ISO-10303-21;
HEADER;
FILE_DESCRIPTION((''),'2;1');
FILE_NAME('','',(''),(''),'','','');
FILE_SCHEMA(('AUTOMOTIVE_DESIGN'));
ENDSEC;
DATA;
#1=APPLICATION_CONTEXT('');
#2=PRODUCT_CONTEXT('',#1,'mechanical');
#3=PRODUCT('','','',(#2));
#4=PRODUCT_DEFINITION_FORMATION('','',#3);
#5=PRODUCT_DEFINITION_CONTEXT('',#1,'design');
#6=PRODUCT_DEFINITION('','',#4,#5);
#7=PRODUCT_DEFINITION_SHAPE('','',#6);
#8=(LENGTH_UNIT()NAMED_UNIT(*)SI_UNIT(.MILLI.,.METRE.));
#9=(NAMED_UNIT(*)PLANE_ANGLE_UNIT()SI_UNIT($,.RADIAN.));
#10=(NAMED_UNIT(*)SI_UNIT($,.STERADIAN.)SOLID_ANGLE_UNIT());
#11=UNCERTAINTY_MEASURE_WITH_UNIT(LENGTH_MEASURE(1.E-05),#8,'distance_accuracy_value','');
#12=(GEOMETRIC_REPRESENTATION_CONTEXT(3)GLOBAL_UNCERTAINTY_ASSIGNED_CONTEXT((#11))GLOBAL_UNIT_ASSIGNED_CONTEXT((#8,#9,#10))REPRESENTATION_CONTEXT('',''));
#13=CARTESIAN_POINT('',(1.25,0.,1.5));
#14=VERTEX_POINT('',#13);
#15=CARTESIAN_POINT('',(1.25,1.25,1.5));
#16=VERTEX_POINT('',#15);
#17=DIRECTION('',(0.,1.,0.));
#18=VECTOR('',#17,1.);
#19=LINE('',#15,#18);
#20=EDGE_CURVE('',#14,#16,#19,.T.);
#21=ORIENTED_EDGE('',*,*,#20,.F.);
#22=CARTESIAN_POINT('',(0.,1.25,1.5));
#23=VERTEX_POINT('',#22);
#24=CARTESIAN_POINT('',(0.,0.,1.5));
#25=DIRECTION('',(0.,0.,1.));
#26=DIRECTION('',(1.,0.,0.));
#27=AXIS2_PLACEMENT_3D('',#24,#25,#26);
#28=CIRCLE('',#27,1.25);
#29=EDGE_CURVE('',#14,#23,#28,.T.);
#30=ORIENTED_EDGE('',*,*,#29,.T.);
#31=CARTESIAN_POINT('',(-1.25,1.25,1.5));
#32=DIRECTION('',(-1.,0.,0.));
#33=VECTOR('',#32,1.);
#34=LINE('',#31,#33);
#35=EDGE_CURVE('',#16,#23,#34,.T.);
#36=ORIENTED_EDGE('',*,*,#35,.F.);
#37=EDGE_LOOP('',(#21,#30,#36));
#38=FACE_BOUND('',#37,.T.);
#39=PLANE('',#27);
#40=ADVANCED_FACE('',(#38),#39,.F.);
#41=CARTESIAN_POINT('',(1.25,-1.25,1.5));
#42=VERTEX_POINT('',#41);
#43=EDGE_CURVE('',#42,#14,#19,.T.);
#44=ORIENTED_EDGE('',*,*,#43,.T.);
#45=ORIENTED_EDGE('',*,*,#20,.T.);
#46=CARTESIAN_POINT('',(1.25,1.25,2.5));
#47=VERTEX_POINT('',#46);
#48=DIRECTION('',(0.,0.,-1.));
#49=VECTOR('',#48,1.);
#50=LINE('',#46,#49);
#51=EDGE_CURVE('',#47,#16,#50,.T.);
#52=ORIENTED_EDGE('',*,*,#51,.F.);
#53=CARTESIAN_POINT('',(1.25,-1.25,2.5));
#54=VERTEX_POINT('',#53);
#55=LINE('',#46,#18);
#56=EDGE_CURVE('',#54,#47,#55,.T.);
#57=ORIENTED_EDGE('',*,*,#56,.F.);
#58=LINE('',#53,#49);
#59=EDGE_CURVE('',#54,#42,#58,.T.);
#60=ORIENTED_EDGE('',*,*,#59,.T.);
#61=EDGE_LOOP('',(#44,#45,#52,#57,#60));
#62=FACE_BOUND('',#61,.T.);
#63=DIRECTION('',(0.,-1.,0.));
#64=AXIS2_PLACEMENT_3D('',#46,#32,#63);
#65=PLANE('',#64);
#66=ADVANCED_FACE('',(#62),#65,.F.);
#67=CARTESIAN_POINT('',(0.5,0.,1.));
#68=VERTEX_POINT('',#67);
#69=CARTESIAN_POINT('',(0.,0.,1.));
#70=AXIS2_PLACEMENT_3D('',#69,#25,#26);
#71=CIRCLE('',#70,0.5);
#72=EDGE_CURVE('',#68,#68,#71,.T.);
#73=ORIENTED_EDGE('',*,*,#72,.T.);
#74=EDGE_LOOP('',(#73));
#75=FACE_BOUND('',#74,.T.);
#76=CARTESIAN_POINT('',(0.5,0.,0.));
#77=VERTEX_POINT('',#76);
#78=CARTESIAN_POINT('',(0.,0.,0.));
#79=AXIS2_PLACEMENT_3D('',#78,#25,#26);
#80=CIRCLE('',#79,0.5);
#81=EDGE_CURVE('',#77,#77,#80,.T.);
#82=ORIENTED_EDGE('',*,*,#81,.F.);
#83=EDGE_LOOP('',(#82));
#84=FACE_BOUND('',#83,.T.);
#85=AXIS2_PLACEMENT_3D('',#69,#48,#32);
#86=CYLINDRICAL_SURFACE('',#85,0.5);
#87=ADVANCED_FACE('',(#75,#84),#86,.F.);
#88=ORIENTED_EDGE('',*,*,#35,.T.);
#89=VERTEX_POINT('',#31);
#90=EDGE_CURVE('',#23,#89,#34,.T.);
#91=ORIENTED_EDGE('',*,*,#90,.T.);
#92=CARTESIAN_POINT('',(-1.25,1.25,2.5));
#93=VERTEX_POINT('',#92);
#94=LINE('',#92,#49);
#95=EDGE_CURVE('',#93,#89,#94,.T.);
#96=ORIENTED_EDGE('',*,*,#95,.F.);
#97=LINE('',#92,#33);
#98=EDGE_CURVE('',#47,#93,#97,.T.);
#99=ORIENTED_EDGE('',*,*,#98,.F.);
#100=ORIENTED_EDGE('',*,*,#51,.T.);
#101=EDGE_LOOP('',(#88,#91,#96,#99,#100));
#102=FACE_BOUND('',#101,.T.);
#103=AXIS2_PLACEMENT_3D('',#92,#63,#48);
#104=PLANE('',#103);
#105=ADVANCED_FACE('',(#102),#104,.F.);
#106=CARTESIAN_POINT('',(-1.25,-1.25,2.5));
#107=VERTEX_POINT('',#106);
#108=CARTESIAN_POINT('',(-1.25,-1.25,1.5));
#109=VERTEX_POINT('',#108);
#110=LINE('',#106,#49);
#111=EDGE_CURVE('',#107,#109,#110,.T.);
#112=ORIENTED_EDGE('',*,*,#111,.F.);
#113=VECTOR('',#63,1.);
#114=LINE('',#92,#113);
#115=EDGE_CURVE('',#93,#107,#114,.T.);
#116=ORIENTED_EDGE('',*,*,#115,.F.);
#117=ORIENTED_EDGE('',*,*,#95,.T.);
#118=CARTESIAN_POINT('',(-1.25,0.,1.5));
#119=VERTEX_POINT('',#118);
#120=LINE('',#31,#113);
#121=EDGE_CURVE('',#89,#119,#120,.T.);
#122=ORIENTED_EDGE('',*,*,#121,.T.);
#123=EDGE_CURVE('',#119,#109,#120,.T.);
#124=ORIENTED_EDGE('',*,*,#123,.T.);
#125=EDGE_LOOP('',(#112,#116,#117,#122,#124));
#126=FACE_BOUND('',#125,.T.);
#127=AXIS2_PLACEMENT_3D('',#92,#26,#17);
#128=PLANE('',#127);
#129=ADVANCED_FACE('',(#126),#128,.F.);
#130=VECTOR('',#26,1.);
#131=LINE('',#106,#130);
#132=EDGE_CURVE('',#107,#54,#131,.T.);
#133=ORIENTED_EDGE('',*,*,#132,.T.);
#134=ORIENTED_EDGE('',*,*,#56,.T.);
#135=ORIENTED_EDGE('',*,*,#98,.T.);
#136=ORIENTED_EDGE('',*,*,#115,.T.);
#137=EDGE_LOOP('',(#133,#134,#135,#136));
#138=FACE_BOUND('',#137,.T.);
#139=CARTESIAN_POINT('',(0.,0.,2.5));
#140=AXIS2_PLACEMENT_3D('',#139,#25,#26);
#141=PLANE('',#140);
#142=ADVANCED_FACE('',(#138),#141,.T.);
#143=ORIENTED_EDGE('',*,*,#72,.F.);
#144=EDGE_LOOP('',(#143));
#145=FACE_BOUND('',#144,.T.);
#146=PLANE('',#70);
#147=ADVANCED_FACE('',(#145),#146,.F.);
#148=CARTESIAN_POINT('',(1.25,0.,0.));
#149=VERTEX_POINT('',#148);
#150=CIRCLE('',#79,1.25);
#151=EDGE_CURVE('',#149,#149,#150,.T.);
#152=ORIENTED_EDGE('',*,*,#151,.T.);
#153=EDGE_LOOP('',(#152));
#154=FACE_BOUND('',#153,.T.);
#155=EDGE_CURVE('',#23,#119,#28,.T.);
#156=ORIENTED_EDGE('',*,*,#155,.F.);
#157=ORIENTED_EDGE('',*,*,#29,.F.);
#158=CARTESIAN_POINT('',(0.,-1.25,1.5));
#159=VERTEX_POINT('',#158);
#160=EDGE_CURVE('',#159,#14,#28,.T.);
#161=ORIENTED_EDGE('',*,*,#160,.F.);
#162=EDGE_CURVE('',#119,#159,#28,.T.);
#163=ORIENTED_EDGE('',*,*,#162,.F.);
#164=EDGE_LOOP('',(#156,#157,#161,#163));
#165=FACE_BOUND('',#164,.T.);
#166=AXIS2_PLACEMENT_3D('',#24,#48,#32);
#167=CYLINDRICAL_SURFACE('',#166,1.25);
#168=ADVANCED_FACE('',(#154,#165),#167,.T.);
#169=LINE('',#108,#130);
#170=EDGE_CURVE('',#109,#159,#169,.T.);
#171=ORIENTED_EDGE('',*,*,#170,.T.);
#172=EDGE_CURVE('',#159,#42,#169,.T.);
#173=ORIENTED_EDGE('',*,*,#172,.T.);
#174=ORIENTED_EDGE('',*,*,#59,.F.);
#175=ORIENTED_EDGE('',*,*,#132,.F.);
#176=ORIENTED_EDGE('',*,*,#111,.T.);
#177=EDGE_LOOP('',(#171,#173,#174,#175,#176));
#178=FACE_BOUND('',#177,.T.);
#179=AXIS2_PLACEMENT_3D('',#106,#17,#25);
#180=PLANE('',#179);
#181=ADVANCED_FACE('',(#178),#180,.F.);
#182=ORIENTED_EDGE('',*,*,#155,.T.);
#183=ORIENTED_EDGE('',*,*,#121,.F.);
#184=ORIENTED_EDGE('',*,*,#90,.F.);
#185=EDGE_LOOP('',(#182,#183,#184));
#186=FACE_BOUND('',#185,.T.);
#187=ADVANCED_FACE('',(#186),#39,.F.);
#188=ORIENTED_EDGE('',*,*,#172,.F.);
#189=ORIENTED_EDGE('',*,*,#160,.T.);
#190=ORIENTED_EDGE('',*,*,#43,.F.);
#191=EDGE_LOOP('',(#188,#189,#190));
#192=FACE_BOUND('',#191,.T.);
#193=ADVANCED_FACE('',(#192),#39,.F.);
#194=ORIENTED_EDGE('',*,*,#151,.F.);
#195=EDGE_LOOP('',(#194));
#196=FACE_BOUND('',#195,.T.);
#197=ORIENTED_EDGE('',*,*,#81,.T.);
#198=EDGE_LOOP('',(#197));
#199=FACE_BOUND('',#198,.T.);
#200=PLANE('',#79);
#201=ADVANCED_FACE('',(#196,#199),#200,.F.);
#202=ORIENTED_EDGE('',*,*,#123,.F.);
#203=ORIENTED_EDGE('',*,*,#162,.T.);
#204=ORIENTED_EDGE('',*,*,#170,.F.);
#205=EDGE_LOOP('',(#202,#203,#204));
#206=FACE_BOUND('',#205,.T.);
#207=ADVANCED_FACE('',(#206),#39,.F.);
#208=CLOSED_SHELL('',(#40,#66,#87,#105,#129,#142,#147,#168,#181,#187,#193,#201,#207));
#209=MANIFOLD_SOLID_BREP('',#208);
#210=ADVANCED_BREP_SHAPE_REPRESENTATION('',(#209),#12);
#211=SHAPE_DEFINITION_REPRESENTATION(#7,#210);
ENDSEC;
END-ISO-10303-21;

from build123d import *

# Parameters (mm, degrees)
SKETCH1_R           = 1.25
BOSS_EXTRUDE1_DEPTH = 1.5
SKETCH1_4_R         = 0.5
CUT_EXTRUDE1_DEPTH  = 1
SKETCH2_W           = 2.5
SKETCH2_H           = 2.5
BOSS_EXTRUDE2_DEPTH = 1


with BuildPart() as part:
    # Sketch1 → Boss-Extrude1 (new body)
    with BuildSketch(Plane.XY):
        Circle(SKETCH1_R)
    extrude(amount=BOSS_EXTRUDE1_DEPTH)

    # Sketch1<4> → Cut-Extrude1 (cut)
    with BuildSketch(Plane.XY):
        Circle(SKETCH1_4_R)
    extrude(amount=CUT_EXTRUDE1_DEPTH, mode=Mode.SUBTRACT)

    # Sketch2 → Boss-Extrude2 (add)
    with BuildSketch(Plane.XY.offset(1.5)):
        Rectangle(SKETCH2_W, SKETCH2_H)
    extrude(amount=BOSS_EXTRUDE2_DEPTH)


solid = part.part
